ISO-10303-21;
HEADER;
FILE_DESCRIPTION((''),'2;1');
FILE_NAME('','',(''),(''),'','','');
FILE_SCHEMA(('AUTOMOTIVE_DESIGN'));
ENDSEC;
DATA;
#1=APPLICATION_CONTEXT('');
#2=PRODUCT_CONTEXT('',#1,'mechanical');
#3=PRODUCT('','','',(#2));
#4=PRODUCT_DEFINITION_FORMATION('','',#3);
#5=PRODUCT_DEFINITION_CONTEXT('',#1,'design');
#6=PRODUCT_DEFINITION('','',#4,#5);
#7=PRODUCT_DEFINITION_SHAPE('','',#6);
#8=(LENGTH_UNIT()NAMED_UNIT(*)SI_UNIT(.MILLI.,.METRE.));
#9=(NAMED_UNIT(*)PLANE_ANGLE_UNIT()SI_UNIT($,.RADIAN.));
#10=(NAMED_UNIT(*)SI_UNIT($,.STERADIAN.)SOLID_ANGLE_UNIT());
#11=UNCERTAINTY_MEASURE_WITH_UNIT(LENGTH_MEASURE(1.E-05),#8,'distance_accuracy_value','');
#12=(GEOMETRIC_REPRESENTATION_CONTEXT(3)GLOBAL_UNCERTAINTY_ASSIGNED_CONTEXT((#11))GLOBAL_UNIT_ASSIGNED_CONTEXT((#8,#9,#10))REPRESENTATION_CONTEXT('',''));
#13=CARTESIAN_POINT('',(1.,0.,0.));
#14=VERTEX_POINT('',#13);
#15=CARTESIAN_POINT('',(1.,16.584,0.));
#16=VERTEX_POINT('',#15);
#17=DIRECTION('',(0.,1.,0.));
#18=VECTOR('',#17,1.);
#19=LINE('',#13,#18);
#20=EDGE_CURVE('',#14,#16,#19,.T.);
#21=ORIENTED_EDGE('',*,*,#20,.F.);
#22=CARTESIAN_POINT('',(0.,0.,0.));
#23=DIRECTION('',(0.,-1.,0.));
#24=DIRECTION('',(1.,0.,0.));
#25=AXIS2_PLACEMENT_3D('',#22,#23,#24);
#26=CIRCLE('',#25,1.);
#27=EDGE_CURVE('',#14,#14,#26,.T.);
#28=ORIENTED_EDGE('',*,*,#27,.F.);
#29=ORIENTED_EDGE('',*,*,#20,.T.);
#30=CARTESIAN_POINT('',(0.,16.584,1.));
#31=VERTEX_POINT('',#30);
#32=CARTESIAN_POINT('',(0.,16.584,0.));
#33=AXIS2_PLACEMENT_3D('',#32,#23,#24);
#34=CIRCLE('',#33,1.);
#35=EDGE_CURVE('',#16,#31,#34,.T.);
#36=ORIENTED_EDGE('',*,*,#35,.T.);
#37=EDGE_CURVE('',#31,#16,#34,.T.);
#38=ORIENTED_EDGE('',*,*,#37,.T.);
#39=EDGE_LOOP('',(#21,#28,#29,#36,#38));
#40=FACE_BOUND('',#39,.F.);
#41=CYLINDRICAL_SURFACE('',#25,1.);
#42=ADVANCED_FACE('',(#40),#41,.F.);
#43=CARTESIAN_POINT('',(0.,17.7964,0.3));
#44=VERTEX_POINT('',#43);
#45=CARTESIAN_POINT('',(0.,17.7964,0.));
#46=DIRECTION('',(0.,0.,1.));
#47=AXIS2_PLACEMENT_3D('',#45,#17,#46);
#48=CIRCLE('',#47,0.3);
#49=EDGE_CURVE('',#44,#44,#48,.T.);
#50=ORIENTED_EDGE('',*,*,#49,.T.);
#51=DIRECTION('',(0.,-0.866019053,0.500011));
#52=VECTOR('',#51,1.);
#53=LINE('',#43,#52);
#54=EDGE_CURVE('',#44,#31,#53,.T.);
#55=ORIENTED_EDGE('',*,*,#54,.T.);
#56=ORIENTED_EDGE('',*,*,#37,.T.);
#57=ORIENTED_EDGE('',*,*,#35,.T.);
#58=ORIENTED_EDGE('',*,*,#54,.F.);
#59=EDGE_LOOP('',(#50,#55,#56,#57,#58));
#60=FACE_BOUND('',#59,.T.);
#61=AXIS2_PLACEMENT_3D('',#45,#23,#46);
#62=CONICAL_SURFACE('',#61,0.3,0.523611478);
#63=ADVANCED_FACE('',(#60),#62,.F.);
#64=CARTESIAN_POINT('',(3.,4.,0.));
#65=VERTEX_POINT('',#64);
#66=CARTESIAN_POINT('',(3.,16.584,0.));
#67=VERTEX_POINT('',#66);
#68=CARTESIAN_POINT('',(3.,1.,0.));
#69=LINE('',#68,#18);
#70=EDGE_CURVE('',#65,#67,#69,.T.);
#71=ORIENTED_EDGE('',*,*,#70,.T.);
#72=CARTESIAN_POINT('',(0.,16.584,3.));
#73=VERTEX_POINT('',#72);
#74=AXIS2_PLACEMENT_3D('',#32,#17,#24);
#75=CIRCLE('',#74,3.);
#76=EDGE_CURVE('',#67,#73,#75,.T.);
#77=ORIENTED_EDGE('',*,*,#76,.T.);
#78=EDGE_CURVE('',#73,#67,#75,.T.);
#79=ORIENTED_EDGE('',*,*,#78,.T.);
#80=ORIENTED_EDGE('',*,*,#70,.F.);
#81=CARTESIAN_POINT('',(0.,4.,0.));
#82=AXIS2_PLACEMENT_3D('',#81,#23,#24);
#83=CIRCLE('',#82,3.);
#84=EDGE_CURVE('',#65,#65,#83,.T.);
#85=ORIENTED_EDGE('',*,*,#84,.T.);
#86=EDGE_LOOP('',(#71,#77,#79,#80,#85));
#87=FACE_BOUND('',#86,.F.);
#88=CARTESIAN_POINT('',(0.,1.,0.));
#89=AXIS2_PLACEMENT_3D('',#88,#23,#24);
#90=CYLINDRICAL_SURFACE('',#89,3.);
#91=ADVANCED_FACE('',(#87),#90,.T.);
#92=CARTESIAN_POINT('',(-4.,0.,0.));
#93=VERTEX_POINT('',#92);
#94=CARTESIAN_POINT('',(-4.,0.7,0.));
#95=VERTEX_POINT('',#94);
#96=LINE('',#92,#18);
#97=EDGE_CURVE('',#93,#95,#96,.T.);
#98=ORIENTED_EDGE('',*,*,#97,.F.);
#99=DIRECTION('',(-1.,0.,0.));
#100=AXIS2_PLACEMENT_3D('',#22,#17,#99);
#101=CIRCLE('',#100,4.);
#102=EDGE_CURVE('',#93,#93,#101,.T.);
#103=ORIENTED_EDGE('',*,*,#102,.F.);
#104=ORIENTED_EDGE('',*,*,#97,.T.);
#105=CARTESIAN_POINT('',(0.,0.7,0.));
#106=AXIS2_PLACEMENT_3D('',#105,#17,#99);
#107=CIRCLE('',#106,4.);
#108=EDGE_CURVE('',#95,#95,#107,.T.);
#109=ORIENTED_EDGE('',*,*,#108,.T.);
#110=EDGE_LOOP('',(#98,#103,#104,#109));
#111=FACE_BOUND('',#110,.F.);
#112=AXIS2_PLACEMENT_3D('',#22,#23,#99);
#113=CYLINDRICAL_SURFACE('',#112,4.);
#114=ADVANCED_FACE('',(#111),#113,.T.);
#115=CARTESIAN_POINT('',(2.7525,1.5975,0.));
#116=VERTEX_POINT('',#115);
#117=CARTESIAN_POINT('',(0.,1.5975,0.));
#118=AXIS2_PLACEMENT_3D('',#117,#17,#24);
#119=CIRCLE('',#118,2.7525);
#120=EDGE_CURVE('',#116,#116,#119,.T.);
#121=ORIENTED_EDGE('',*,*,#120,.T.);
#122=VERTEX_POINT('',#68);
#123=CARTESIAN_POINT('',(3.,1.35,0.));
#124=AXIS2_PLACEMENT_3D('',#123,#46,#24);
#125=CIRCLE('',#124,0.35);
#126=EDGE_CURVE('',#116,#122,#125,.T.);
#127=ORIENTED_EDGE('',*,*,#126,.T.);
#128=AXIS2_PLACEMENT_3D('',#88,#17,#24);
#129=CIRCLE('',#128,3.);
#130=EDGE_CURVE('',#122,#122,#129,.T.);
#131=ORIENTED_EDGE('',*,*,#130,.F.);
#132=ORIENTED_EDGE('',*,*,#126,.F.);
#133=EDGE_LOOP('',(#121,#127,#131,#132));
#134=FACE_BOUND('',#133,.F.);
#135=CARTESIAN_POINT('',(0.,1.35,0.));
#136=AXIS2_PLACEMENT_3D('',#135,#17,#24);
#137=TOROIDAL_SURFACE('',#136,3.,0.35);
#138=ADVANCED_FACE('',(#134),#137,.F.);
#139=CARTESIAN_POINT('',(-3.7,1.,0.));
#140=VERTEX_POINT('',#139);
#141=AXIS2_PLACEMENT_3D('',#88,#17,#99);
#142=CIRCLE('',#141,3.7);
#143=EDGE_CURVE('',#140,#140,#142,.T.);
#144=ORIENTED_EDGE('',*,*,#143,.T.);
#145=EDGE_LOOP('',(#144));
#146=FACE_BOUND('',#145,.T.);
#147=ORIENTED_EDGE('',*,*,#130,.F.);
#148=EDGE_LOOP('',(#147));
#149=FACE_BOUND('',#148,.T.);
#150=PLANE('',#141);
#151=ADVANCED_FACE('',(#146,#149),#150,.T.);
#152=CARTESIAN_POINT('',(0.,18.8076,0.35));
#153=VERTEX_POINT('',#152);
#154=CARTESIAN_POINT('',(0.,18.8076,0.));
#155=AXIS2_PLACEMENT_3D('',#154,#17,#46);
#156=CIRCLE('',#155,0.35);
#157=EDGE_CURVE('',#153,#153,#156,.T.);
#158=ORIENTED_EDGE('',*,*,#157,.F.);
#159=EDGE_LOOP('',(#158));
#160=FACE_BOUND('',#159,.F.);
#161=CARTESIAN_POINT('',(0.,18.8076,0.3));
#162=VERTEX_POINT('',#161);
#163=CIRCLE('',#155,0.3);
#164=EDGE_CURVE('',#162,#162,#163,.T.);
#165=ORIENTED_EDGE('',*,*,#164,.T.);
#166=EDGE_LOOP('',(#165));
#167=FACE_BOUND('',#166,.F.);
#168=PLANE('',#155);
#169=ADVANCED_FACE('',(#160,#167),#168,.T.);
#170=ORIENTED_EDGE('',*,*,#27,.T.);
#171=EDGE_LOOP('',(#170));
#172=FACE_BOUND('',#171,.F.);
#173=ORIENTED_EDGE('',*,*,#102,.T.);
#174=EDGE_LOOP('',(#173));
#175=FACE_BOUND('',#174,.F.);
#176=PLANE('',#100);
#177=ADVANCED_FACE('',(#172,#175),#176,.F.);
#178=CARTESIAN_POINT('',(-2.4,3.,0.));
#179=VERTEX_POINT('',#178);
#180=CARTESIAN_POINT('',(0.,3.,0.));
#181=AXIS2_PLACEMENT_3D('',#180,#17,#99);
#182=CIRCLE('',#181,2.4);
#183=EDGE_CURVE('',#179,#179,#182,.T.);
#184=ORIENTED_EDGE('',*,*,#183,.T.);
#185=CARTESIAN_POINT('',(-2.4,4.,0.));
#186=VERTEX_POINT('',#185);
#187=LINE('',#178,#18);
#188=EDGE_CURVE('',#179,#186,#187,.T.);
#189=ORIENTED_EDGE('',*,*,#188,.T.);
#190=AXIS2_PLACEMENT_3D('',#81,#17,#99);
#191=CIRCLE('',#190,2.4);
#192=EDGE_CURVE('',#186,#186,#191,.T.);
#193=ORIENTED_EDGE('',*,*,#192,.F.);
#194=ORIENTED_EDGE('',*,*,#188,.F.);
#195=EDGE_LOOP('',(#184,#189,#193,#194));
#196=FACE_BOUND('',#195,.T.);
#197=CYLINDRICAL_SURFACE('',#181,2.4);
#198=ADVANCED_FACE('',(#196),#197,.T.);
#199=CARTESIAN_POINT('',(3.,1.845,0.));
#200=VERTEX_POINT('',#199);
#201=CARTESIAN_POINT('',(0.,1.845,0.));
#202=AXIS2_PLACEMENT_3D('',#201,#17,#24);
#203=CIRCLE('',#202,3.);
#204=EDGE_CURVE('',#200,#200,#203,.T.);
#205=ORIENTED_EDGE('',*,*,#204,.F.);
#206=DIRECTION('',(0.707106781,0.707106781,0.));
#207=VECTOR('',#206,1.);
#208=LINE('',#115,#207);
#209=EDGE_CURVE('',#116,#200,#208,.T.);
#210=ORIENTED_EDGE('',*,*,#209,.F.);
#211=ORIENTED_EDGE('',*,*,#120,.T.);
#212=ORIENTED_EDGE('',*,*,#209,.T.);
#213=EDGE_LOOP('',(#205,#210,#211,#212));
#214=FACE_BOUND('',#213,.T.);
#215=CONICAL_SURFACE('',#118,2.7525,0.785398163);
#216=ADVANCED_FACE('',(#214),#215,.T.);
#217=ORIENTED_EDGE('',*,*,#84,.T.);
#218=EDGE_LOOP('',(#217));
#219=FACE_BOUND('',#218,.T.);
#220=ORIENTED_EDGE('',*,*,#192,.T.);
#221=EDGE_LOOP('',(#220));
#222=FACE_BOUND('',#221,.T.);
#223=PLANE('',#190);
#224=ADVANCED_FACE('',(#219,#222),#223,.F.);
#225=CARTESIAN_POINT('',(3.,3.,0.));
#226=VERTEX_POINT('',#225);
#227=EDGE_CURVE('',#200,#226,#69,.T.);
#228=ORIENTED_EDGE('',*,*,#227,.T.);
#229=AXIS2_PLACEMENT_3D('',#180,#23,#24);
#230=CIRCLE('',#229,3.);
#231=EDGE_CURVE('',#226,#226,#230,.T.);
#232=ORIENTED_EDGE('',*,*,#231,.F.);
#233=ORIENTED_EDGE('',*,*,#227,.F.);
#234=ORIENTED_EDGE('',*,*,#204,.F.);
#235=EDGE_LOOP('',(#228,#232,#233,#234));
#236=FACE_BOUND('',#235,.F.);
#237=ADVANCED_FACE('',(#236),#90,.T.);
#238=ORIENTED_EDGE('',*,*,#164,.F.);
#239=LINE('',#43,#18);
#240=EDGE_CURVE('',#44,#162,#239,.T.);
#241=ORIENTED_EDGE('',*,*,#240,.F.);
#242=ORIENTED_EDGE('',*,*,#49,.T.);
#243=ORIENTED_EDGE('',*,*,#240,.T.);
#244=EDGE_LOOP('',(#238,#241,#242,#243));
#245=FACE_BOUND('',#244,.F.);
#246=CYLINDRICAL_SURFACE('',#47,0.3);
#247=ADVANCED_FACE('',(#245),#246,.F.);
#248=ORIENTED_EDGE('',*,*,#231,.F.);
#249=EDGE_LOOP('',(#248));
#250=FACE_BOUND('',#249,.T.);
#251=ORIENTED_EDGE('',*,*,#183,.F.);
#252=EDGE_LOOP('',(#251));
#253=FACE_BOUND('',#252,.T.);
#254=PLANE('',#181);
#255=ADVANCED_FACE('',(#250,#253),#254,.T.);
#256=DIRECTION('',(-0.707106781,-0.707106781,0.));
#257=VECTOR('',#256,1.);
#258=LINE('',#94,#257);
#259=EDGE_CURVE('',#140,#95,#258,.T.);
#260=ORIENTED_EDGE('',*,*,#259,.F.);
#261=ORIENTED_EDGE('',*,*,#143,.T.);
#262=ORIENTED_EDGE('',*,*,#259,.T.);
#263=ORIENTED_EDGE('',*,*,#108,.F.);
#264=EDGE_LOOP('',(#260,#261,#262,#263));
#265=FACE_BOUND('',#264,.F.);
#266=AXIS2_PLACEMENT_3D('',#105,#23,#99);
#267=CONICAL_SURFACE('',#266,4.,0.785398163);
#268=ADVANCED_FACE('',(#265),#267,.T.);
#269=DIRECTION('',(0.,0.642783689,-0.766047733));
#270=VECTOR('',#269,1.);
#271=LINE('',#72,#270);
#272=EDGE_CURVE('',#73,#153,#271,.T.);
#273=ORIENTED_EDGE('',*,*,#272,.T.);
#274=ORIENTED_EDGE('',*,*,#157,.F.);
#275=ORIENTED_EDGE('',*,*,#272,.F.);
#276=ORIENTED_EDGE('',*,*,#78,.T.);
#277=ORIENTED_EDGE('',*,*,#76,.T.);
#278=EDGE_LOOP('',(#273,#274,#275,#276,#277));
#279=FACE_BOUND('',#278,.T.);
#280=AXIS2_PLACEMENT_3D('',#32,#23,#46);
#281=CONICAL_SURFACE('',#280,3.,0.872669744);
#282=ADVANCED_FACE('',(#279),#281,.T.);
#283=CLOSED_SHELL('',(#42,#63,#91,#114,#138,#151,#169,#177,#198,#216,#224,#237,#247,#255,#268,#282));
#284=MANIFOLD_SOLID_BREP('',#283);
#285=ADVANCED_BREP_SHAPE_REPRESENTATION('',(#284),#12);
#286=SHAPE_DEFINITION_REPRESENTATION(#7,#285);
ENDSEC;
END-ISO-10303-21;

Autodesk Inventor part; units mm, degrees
ref_plane "XZ Plane" through (0, 0, 0) normal (0, 1, 0) x (-1, 0, 0)
sketch "Sketch1" plane through (0, 0, 0) normal (0, 1, 0) x (-1, 0, 0)
  circle A0 centre (0, 0) radius 4
  dimension "d0" = 8
extrude "Extrusion1" add sketch "Sketch1" along normal blind 1
sketch "Sketch2" plane through (0, 1, 0) normal (0, 1, 0) x (1, 0, 0)
  circle A0 centre (0, 0) radius 4 projected
  circle A1 centre (0, 0) radius 3
  dimension "d3" = 6
extrude "Extrusion2" add sketch "Sketch2" along normal blind 15.584 contours A1
sketch "Sketch3" plane through (0, 0, 0) normal (0, -1, 0) x (1, 0, 0)
  circle A0 centre (0, 0) radius 4 projected
  circle A1 centre (0, 0) radius 1
  dimension "d6" = 2
extrude "Extrusion3" cut sketch "Sketch3" against normal blind 21 contours A1
sketch "Sketch4" plane through (0, 0, 0) normal (1, 0, 0) x (0, 1, 0)
  line L0 (1, 3) -> (16.584, 3) projected
  line L1 (1, -3) -> (16.584, -3) projected
  line L2 (0, 0) -> (17, 0)
  line L3 (16.584, 3) -> (18.8915, 0.25)
  line L4 (16.584, -3) -> (16.584, 3) projected
  line L5 (16.584, 0.2) -> (18.8915, 0.2)
  line L6 (17.7964, 0.3) -> (16.584, 1)
  line L7 (0, 1) -> (16.584, 1) projected
  line L8 (16.584, 1) -> (16.584, 3)
  line L9 (18.8915, 0.25) -> (18.8915, 0.2)
  line L10 (17.7964, 0.3) -> (19.4152, 0.3)
  line L11 (18.8076, 0.3) -> (18.8076, 0.35)
  point P0 (17.8856, 0.2)
  dimension "d9" = 40
  dimension "d10" = 0.2
  dimension "d11" = 30
  dimension "d20" = 0.05
  dimension "d21" = 0.3
  dimension "d22" = 0.05
revolve "Revolution1" add sketch "Sketch4" angle 360 about axis through (0, 0, 0) along (0, 1, 0) contours L3 L11 L10 L6 L4
sketch "Sketch5" plane through (0, 0, 0) normal (0, 0, 1) x (1, 0, 0)
  circle A0 centre (3, 1.35) radius 0.35
  line L0 (4, 1) -> (-4, 1) projected
  line L1 (3, 3) -> (3, 0)
  line L2 (0, 1.1204) -> (0, 3)
  line L3 (2.7525, 1.5975) -> (3.3734, 2.2184)
  line L4 (3.3734, 2.2184) -> (3.3499, 1.3406)
  point P0 (0, 0)
  dimension "d14" = 0.7
  dimension "d19" = 45
revolve "Revolution2" cut sketch "Sketch5" angle 360 about axis through (0, 1.1204, 0) along (0, 1, 0)
chamfer "Chamfer1" distance 0.3 angle 45 1 edges at (4, 1, 0)
sketch "Sketch6" plane through (0, 0, 0) normal (0, 0, 1) x (1, 0, 0)
  line L0 (-3, 1.845) -> (-3, 16.584) projected
  line L1 (-3, 3) -> (-2.4, 3)
  line L2 (-2.4, 3) -> (-2.4, 4)
  line L3 (-2.4, 4) -> (-3, 4)
  line L4 (-3, 4) -> (-3, 3)
  line L5 (-4, 0) -> (4, 0) projected
  line L6 (0, -3.7615) -> (0, 22.5691) projected
  point P0 (0, 0)
  dimension "d23" = 0.6
  dimension "d24" = 1
  dimension "d25" = 3
revolve "Revolution3" cut sketch "Sketch6" angle 360 about axis through (0, -10, 0) along (0, 1, 0)
properties part number "nozzle0.6" material "Copper"
